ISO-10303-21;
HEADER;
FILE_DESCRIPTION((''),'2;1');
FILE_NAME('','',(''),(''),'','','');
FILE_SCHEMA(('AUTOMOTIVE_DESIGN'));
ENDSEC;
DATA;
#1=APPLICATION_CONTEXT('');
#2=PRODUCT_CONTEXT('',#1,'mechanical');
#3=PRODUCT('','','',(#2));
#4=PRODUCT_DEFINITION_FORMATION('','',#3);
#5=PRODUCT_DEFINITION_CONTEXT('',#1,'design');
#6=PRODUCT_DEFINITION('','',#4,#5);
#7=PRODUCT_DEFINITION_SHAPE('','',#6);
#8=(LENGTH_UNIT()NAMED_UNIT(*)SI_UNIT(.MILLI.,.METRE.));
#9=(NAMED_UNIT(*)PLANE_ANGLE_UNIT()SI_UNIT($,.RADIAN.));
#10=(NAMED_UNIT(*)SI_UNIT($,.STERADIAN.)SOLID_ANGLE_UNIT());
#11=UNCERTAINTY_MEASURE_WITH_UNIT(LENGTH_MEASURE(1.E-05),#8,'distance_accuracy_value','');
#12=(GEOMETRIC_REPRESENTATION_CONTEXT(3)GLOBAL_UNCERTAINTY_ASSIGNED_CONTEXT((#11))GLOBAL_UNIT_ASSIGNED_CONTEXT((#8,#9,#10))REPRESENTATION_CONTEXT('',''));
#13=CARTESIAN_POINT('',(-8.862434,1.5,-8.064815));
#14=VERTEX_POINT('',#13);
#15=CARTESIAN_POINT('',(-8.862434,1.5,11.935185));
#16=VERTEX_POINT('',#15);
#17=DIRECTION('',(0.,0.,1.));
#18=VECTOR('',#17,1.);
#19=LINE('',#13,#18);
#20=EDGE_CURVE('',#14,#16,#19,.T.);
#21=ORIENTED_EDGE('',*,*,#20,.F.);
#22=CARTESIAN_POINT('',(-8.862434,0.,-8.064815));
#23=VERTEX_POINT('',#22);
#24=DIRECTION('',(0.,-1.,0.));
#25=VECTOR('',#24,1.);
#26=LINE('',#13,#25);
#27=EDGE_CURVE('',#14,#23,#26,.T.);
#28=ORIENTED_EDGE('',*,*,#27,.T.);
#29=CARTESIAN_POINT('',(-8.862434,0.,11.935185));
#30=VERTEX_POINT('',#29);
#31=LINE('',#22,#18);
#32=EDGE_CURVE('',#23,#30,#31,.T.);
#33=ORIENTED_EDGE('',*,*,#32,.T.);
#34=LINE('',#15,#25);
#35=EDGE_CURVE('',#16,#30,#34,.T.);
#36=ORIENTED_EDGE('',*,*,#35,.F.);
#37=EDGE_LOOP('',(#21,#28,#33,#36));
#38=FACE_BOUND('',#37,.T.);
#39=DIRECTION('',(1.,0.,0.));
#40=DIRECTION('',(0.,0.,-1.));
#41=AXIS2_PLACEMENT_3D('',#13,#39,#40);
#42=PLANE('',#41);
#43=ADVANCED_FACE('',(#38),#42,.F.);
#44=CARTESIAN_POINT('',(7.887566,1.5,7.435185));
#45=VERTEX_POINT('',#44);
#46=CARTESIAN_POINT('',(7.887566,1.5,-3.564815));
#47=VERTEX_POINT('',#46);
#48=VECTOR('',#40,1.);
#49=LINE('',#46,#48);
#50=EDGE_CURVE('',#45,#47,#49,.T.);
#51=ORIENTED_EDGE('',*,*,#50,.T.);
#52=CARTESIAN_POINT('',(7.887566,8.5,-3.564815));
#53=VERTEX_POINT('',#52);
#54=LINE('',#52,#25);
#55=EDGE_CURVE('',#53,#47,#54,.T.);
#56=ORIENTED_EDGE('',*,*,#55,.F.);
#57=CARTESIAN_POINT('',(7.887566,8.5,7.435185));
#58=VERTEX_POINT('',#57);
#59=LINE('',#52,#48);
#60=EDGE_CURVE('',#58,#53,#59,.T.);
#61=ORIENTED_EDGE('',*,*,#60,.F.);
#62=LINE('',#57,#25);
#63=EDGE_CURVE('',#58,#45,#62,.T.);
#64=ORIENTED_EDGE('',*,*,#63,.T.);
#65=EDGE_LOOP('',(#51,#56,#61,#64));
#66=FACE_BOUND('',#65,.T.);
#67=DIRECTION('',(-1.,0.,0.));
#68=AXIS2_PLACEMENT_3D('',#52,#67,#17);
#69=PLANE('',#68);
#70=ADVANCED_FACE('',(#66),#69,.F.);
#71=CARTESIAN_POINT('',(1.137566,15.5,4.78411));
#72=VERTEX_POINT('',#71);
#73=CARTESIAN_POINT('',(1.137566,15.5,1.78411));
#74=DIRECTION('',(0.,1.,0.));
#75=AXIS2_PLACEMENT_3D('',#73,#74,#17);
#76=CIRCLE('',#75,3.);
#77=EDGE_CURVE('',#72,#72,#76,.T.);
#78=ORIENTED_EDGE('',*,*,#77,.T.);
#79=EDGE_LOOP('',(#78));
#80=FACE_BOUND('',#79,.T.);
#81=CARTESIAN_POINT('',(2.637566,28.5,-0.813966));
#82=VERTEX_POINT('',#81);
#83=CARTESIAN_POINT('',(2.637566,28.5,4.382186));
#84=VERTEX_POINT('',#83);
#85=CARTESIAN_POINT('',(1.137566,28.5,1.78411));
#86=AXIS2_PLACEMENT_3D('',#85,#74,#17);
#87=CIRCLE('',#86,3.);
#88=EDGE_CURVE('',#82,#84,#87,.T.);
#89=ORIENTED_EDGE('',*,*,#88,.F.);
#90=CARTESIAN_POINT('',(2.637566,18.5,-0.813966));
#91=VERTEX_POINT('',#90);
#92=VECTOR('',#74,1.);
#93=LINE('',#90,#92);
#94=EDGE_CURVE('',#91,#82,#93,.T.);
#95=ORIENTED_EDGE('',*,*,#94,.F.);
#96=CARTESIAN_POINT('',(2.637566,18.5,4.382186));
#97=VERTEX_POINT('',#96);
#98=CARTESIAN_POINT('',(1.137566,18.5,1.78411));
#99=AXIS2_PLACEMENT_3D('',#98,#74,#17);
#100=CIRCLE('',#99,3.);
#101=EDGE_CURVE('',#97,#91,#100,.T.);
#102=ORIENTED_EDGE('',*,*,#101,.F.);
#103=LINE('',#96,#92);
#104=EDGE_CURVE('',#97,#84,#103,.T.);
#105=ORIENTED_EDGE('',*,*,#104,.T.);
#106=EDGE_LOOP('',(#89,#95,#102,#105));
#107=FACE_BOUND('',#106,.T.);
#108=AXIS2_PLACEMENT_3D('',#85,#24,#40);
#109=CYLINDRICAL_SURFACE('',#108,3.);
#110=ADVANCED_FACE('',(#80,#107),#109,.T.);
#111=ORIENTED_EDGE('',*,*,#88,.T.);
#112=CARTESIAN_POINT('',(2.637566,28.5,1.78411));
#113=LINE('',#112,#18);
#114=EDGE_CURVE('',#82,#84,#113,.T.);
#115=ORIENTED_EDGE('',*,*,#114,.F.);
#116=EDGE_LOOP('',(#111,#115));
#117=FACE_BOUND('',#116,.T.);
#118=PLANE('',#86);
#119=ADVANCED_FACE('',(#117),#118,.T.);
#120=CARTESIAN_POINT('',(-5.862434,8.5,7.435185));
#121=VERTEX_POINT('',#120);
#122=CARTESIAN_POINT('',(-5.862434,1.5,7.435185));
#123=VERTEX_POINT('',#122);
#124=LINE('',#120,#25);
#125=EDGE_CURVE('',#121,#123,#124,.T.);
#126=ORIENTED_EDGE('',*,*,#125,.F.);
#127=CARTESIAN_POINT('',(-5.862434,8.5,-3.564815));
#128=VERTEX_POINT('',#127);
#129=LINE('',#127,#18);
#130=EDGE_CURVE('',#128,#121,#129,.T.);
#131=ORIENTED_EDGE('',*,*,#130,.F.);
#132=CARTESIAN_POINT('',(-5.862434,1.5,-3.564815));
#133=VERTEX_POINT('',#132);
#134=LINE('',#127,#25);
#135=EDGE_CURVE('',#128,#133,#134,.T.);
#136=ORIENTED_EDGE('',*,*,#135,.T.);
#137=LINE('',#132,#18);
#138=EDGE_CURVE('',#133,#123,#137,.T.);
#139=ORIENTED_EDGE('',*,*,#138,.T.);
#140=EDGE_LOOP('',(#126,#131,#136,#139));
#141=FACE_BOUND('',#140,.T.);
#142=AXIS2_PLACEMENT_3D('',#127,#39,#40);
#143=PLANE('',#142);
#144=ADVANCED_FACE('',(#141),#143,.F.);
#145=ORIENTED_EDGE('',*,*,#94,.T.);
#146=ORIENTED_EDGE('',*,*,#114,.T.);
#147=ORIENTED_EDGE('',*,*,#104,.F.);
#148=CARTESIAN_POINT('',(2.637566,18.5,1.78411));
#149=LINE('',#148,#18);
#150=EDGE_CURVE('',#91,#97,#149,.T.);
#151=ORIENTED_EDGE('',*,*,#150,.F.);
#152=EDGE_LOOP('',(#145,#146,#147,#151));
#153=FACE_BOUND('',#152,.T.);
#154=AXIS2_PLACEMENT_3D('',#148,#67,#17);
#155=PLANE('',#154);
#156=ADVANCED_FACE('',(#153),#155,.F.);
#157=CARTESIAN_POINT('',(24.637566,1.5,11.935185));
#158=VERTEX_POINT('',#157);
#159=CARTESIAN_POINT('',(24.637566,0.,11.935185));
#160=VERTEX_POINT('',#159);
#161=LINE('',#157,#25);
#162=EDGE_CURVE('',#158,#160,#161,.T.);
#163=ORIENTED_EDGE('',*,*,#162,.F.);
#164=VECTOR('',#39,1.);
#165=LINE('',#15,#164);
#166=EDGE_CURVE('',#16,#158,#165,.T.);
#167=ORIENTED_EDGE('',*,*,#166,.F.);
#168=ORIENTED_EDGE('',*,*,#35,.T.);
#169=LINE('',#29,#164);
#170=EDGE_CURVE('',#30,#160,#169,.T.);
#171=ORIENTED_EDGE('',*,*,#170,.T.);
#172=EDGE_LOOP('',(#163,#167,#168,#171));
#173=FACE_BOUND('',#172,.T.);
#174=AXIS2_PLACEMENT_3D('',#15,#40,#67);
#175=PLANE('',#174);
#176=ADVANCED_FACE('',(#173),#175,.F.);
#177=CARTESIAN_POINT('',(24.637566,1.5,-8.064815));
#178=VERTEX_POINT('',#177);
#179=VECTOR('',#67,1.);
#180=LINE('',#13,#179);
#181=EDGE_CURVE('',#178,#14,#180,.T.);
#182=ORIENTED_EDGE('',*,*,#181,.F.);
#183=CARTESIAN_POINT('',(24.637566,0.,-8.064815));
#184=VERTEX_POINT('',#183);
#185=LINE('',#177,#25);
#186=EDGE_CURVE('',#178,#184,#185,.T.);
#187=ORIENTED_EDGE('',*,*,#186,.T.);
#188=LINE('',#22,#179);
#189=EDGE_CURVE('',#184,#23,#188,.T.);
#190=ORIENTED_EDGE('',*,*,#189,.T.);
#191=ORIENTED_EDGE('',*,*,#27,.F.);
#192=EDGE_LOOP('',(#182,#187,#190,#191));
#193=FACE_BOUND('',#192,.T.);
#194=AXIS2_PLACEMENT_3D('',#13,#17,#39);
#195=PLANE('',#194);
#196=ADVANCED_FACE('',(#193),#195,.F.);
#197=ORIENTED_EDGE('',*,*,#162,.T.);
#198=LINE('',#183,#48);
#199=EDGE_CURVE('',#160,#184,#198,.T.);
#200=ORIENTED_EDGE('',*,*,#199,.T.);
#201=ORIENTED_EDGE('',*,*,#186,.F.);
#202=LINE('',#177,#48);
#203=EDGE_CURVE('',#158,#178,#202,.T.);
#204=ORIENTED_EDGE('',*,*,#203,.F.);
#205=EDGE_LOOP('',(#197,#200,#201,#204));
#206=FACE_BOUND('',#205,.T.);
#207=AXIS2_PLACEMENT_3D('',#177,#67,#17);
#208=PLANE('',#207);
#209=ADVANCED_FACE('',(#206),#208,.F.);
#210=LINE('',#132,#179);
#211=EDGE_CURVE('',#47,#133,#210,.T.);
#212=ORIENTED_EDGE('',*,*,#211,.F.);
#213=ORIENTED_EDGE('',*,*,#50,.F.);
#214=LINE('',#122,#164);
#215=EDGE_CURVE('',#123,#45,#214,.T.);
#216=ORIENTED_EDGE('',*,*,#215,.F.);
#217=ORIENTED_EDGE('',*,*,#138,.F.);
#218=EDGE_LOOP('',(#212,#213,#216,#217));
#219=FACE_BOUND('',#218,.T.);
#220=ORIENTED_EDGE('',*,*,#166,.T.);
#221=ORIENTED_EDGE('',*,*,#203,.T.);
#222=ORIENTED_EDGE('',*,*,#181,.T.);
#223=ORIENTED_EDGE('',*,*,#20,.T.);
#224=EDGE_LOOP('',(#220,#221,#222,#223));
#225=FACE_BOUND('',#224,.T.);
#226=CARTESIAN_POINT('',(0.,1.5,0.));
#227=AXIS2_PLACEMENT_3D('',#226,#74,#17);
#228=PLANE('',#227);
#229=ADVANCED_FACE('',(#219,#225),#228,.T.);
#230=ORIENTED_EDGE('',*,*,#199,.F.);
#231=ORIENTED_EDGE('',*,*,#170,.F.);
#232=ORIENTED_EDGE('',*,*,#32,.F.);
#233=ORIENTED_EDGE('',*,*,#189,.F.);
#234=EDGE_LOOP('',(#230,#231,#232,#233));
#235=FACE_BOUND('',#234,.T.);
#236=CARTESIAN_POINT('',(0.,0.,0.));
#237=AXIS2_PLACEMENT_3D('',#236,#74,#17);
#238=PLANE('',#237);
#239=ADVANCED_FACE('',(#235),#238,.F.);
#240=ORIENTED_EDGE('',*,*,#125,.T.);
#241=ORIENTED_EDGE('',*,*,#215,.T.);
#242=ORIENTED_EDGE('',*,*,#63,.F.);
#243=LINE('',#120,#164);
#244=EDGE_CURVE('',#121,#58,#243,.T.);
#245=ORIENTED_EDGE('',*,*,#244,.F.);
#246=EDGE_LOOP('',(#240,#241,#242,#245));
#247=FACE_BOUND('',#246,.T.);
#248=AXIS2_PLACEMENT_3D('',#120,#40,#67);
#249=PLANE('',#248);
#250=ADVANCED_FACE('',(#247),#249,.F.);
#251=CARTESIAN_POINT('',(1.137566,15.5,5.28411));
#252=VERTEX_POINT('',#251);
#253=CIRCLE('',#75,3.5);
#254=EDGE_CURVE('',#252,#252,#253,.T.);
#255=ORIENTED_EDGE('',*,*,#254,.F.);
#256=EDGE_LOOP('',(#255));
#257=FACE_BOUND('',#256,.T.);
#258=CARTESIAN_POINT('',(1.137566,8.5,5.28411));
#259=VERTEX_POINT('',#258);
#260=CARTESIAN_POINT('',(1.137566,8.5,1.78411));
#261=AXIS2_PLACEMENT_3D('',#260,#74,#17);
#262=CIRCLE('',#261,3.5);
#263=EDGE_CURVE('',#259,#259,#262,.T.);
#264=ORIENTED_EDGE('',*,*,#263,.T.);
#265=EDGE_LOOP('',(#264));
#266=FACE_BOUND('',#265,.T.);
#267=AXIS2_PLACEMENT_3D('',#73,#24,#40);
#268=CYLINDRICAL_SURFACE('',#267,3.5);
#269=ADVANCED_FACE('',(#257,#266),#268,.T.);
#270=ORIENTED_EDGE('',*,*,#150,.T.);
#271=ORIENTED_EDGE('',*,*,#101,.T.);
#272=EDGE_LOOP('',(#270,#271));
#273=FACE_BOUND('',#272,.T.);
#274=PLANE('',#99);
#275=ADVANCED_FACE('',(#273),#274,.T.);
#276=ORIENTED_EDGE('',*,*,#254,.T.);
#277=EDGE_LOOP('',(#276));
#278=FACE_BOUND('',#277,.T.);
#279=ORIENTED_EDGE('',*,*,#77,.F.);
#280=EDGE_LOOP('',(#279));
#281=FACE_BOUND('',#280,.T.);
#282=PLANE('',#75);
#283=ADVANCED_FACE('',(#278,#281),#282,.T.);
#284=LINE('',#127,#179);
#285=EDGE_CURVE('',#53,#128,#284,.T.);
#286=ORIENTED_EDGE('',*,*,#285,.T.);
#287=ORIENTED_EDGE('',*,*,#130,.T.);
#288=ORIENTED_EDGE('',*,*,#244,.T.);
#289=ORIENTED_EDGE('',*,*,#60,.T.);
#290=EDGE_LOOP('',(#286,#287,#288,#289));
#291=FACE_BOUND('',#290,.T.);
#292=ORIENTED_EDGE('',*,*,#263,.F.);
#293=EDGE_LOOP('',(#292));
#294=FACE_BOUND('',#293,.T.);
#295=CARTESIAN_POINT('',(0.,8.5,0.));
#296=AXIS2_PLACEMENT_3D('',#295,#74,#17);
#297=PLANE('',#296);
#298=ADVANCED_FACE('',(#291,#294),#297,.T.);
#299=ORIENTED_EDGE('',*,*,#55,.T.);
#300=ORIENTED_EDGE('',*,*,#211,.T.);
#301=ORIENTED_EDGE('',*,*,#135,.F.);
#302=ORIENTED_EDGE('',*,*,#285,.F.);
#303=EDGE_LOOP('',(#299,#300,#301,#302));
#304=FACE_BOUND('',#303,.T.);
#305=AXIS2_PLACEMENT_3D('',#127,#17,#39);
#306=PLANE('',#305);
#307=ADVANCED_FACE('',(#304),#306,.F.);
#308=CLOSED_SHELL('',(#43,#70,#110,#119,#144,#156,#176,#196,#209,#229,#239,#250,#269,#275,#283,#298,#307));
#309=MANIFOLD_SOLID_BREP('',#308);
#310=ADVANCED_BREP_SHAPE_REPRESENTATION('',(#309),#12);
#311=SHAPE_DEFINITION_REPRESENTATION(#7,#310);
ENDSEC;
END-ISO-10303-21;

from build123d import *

# Parameters (mm, degrees)
SKETCH1_W           = 33.5
SKETCH1_H           = 20
BOSS_EXTRUDE1_DEPTH = 1.5
SKETCH2_W           = 13.75
SKETCH2_H           = 11
BOSS_EXTRUDE2_DEPTH = 7
SKETCH3_R           = 3.5
BOSS_EXTRUDE3_DEPTH = 7
SKETCH4_R           = 3
BOSS_EXTRUDE4_DEPTH = 13
CUT_EXTRUDE1_START  = -10
CUT_EXTRUDE1_DEPTH  = 10


with BuildPart() as part:
    # Sketch1 → Boss-Extrude1 (new body)
    with BuildSketch(Plane(origin=(0, 0, 0), x_dir=(1, 0, 0), z_dir=(0, 1, 0))):
        with Locations((7.887566138, -1.935185185)):
            Rectangle(SKETCH1_W, SKETCH1_H)
    extrude(amount=BOSS_EXTRUDE1_DEPTH)

    # Sketch2 → Boss-Extrude2 (add)
    with BuildSketch(Plane(origin=(0, 1.5, 0), x_dir=(1, 0, 0), z_dir=(0, 1, 0))):
        with Locations((1.012566138, -1.935185185)):
            Rectangle(SKETCH2_W, SKETCH2_H)
    extrude(amount=BOSS_EXTRUDE2_DEPTH)

    # Sketch3 → Boss-Extrude3 (add)
    with BuildSketch(Plane(origin=(0, 8.5, 0), x_dir=(1, 0, 0), z_dir=(0, 1, 0))):
        with Locations(Location((1.137566138, -1.784110138, 0), (0, 0, 270))):
            Circle(SKETCH3_R)
    extrude(amount=BOSS_EXTRUDE3_DEPTH)

    # Sketch4 → Boss-Extrude4 (add)
    with BuildSketch(Plane(origin=(0, 15.5, 0), x_dir=(1, 0, 0), z_dir=(0, 1, 0))):
        with Locations(Location((1.137566138, -1.784110138, 0), (0, 0, 90))):
            Circle(SKETCH4_R)
    extrude(amount=BOSS_EXTRUDE4_DEPTH)

    # Sketch5 → Cut-Extrude1 (cut)
    with BuildSketch(Plane(origin=(0, 28.5, 0), x_dir=(1, 0, 0), z_dir=(0, 1, 0)).offset(CUT_EXTRUDE1_START)):
        with BuildLine():
            Line((2.637566138, -1.784110138), (2.637566138, 0.813966073))
            ThreePointArc((2.637566138, 0.813966073), (4.137566138, -1.784110138), (2.637566138, -4.382186349))
            Line((2.637566138, -4.382186349), (2.637566138, -1.784110138))
        make_face()
    extrude(amount=CUT_EXTRUDE1_DEPTH, mode=Mode.SUBTRACT)


solid = part.part
